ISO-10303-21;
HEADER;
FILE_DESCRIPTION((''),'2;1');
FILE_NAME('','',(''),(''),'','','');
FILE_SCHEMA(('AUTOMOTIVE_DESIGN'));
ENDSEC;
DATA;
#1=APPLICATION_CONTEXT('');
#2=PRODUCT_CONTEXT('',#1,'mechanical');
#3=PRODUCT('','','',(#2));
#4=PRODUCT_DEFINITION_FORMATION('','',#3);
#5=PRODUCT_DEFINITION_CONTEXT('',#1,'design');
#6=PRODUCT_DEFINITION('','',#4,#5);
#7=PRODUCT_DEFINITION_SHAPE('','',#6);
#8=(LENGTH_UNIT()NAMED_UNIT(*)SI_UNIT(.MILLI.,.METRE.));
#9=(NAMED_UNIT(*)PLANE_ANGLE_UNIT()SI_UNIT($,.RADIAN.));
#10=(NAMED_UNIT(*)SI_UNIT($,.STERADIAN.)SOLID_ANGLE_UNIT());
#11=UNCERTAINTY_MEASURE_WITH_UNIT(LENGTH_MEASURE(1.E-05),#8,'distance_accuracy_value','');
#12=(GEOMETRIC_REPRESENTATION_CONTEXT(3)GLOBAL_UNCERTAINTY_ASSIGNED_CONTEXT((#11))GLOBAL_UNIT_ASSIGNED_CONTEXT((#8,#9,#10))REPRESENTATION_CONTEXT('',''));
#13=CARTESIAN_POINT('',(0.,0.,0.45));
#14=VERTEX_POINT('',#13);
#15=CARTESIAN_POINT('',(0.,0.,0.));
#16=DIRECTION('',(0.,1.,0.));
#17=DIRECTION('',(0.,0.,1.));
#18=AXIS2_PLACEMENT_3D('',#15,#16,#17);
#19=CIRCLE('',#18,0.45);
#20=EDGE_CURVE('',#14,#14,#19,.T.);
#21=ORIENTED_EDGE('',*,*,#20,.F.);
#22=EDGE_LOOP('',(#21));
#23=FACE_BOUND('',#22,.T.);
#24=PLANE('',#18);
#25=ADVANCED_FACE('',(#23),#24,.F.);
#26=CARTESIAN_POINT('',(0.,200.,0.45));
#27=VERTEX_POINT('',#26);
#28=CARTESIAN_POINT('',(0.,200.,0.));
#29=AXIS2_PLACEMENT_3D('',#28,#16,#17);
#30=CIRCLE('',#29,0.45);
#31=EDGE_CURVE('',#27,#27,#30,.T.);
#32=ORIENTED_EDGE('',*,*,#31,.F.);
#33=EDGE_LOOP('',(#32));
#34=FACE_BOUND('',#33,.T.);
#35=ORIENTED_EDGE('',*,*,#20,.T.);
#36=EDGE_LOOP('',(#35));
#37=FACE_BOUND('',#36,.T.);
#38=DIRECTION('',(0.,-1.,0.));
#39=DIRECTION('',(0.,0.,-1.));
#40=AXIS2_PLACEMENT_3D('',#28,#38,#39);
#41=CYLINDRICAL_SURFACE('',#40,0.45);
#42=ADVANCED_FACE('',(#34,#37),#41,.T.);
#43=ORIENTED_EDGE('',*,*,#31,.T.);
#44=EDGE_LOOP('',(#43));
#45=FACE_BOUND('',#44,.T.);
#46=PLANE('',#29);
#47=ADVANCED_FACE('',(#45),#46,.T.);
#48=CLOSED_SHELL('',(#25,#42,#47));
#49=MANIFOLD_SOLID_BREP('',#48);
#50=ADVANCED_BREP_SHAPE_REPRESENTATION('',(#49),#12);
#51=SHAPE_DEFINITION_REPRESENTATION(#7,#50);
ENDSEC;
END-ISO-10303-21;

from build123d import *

# Parameters (mm, degrees)
SKETCH1_R           = 0.45
BOSS_EXTRUDE1_DEPTH = 200


with BuildPart() as part:
    # Sketch1 → Boss-Extrude1 (new body)
    with BuildSketch(Plane(origin=(0, 0, 0), x_dir=(1, 0, 0), z_dir=(0, 1, 0))):
        Circle(SKETCH1_R)
    extrude(amount=BOSS_EXTRUDE1_DEPTH)


solid = part.part
